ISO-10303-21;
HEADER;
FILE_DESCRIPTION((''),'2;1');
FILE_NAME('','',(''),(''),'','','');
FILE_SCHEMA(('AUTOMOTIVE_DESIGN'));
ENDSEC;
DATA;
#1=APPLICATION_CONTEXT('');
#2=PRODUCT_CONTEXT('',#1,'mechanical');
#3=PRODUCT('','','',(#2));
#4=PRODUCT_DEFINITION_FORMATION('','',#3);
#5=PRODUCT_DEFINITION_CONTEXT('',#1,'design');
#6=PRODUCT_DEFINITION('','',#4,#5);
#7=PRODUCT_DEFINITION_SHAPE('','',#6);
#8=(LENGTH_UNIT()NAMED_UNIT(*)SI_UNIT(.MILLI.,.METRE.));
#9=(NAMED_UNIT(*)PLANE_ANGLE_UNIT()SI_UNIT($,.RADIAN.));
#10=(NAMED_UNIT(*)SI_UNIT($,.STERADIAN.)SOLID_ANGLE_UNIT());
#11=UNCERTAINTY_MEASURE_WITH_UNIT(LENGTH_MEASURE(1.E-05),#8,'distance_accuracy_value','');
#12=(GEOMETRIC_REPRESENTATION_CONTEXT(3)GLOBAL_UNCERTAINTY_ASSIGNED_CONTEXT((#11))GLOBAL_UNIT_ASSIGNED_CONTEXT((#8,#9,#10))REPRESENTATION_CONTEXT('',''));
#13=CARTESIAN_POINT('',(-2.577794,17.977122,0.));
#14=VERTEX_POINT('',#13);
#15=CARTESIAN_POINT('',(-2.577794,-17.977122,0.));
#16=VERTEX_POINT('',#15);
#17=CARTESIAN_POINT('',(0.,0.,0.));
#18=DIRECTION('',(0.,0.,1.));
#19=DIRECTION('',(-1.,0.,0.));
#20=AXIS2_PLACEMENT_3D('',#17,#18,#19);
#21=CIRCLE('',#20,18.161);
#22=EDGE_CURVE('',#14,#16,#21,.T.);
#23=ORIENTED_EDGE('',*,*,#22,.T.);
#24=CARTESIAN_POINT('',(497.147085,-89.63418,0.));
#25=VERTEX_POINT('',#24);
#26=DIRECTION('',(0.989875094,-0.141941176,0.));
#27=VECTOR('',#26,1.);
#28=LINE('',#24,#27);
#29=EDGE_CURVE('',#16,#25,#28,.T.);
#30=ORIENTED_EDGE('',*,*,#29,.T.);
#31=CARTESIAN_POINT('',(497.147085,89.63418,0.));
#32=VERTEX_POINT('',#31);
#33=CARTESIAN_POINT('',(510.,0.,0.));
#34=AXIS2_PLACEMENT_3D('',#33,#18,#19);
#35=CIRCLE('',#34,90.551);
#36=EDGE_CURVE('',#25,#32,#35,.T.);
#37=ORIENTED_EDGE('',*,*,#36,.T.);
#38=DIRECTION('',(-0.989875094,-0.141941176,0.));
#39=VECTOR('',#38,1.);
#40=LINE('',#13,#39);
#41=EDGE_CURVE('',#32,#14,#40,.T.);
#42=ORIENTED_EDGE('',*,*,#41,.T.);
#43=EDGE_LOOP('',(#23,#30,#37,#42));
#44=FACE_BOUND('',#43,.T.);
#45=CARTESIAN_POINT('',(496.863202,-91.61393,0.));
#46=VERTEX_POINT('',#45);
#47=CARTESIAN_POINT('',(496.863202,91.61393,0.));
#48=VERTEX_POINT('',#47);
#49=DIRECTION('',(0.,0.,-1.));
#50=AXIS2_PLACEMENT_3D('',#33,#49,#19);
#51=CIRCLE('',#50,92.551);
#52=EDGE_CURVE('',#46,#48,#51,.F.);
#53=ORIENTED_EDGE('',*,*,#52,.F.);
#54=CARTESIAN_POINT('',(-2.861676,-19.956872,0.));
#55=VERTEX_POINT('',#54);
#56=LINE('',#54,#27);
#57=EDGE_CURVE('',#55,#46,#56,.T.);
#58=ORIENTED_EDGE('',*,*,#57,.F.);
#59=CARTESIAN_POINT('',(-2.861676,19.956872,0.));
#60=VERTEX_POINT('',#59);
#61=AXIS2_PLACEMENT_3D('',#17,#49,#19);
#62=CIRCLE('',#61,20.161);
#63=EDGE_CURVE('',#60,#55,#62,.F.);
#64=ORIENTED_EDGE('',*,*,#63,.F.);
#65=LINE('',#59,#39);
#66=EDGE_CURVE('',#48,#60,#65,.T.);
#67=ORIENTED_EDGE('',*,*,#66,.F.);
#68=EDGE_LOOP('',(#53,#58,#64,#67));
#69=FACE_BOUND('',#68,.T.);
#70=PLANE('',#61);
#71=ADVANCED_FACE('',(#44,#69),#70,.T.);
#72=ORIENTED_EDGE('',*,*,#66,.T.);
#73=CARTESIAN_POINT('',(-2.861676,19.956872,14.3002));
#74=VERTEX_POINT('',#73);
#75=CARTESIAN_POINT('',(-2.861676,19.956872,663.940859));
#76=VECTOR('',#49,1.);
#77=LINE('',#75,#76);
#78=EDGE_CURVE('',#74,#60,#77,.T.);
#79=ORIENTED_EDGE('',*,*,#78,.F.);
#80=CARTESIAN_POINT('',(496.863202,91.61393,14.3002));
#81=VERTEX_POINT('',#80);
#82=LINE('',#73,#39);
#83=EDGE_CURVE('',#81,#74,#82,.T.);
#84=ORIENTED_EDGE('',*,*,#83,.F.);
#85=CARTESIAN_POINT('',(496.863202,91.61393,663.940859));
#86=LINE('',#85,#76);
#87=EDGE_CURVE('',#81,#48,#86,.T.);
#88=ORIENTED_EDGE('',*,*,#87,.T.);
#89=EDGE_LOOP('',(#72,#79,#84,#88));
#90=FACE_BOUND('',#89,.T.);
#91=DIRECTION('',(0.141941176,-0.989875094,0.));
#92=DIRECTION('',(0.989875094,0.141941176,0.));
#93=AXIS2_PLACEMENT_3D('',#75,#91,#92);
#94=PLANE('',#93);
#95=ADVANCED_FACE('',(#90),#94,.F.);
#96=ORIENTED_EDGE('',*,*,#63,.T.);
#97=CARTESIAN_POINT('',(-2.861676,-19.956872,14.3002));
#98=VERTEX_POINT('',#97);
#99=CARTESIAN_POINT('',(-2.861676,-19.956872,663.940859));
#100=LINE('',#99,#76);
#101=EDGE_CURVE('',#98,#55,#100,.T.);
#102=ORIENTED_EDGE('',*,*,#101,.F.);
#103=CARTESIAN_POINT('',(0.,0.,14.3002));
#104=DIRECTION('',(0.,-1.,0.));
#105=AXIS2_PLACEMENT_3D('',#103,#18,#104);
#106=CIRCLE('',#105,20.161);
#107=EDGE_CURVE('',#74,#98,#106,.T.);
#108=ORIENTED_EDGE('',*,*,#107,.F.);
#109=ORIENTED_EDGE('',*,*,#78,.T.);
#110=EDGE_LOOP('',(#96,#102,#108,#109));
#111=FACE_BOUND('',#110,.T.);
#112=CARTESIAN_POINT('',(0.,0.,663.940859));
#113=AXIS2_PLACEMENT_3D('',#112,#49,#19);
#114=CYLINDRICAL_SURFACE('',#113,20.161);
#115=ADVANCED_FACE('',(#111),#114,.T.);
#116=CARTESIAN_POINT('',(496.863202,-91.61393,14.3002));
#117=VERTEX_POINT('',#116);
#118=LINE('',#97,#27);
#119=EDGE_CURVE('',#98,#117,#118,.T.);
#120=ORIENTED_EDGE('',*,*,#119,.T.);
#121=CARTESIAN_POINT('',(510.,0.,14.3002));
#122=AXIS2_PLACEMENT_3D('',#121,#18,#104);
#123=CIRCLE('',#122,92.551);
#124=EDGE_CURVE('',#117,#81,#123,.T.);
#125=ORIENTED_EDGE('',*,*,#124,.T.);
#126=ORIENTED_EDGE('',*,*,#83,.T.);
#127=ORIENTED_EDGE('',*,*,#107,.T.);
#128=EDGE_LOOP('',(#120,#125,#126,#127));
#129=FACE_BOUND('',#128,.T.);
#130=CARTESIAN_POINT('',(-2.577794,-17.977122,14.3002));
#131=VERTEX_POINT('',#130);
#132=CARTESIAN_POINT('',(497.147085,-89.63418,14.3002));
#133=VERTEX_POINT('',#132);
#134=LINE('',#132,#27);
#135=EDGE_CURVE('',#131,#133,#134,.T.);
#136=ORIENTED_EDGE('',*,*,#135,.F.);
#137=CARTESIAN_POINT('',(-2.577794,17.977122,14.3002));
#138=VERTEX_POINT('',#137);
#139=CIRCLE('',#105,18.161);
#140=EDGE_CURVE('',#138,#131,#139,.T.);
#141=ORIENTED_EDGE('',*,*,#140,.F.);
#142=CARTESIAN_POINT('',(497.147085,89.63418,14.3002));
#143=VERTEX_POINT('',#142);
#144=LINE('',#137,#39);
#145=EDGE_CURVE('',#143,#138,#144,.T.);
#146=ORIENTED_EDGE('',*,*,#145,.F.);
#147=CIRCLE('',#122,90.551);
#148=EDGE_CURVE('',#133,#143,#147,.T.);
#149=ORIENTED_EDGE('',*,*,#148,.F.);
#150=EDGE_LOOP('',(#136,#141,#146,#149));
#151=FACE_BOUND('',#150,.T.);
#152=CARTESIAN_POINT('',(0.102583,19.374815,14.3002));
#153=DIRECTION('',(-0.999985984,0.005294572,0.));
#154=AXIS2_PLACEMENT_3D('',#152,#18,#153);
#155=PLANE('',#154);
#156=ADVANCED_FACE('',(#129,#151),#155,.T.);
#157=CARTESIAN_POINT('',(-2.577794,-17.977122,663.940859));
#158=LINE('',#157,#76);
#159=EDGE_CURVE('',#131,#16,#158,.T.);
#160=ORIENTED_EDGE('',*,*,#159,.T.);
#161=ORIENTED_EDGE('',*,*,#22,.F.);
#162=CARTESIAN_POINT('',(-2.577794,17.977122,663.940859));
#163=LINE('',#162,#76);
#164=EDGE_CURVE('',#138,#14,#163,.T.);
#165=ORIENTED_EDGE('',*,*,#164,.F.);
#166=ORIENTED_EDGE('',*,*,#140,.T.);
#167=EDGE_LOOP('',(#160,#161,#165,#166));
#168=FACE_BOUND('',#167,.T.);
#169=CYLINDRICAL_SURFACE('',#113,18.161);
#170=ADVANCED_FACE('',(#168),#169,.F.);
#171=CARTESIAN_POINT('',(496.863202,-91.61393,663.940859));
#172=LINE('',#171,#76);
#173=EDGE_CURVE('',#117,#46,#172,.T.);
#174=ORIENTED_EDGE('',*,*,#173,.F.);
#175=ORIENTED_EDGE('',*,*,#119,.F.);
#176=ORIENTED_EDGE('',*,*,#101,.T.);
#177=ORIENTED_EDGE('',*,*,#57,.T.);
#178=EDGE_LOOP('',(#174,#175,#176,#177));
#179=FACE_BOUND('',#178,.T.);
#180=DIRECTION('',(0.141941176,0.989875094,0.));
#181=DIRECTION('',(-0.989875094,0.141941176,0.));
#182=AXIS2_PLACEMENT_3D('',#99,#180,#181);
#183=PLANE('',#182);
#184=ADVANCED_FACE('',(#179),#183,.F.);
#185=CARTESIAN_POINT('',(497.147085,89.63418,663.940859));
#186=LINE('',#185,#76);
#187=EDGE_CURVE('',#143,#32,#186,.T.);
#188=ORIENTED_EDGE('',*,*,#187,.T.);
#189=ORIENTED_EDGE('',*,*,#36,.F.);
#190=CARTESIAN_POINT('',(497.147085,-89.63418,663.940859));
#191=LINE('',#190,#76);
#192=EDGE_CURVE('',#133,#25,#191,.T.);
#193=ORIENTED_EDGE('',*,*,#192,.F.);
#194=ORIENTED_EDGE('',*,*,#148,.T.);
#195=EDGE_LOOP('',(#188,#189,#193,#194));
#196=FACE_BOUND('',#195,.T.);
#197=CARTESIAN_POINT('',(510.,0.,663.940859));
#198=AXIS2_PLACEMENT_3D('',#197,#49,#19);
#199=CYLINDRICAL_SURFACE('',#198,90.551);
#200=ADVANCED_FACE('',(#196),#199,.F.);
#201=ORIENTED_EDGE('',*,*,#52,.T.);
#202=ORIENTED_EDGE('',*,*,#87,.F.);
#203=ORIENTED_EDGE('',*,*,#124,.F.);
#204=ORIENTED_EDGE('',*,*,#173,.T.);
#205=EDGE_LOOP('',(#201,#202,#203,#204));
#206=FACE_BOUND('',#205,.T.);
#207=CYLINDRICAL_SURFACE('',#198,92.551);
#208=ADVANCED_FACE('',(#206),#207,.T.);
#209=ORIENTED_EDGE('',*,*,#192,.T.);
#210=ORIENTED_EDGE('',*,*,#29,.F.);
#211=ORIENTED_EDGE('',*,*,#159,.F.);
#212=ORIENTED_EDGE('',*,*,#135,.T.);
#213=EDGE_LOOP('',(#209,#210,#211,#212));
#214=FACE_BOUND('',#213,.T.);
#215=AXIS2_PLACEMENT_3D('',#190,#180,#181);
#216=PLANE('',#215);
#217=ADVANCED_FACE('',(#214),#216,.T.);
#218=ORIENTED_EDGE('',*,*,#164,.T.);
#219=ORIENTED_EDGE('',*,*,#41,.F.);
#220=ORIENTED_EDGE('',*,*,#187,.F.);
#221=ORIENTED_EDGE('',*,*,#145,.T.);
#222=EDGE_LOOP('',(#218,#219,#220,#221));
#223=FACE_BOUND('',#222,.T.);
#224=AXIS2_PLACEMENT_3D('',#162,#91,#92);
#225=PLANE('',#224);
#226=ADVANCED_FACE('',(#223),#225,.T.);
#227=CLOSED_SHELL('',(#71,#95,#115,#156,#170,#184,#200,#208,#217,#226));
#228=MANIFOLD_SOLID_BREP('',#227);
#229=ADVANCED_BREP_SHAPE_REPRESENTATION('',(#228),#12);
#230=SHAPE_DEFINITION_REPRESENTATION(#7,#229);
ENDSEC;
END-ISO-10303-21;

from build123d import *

# Parameters (mm, degrees)
EXTRUDE_THIN1_DEPTH = 14.3002


with BuildPart() as part:
    # Sketch2 → Extrude-Thin1 (new body)
    with BuildSketch(Plane.XY):
        with BuildLine():
            Line((496.863202176, -91.613929858), (-2.861676059, -19.956871777))
            ThreePointArc((-2.861676059, -19.956871777), (-20.161, 0), (-2.861676059, 19.956871777))
            Line((-2.861676059, 19.956871777), (496.863202176, 91.613929858))
            ThreePointArc((496.863202176, 91.613929858), (602.551, 0), (496.863202176, -91.613929858))
        make_face()
        with BuildLine():
            Line((497.147084529, -89.634179669), (-2.577793706, -17.977121589))
            ThreePointArc((-2.577793706, -17.977121589), (-18.161, 0), (-2.577793706, 17.977121589))
            Line((-2.577793706, 17.977121589), (497.147084529, 89.634179669))
            ThreePointArc((497.147084529, 89.634179669), (600.551, 0), (497.147084529, -89.634179669))
        make_face(mode=Mode.SUBTRACT)
    extrude(amount=EXTRUDE_THIN1_DEPTH)


solid = part.part
